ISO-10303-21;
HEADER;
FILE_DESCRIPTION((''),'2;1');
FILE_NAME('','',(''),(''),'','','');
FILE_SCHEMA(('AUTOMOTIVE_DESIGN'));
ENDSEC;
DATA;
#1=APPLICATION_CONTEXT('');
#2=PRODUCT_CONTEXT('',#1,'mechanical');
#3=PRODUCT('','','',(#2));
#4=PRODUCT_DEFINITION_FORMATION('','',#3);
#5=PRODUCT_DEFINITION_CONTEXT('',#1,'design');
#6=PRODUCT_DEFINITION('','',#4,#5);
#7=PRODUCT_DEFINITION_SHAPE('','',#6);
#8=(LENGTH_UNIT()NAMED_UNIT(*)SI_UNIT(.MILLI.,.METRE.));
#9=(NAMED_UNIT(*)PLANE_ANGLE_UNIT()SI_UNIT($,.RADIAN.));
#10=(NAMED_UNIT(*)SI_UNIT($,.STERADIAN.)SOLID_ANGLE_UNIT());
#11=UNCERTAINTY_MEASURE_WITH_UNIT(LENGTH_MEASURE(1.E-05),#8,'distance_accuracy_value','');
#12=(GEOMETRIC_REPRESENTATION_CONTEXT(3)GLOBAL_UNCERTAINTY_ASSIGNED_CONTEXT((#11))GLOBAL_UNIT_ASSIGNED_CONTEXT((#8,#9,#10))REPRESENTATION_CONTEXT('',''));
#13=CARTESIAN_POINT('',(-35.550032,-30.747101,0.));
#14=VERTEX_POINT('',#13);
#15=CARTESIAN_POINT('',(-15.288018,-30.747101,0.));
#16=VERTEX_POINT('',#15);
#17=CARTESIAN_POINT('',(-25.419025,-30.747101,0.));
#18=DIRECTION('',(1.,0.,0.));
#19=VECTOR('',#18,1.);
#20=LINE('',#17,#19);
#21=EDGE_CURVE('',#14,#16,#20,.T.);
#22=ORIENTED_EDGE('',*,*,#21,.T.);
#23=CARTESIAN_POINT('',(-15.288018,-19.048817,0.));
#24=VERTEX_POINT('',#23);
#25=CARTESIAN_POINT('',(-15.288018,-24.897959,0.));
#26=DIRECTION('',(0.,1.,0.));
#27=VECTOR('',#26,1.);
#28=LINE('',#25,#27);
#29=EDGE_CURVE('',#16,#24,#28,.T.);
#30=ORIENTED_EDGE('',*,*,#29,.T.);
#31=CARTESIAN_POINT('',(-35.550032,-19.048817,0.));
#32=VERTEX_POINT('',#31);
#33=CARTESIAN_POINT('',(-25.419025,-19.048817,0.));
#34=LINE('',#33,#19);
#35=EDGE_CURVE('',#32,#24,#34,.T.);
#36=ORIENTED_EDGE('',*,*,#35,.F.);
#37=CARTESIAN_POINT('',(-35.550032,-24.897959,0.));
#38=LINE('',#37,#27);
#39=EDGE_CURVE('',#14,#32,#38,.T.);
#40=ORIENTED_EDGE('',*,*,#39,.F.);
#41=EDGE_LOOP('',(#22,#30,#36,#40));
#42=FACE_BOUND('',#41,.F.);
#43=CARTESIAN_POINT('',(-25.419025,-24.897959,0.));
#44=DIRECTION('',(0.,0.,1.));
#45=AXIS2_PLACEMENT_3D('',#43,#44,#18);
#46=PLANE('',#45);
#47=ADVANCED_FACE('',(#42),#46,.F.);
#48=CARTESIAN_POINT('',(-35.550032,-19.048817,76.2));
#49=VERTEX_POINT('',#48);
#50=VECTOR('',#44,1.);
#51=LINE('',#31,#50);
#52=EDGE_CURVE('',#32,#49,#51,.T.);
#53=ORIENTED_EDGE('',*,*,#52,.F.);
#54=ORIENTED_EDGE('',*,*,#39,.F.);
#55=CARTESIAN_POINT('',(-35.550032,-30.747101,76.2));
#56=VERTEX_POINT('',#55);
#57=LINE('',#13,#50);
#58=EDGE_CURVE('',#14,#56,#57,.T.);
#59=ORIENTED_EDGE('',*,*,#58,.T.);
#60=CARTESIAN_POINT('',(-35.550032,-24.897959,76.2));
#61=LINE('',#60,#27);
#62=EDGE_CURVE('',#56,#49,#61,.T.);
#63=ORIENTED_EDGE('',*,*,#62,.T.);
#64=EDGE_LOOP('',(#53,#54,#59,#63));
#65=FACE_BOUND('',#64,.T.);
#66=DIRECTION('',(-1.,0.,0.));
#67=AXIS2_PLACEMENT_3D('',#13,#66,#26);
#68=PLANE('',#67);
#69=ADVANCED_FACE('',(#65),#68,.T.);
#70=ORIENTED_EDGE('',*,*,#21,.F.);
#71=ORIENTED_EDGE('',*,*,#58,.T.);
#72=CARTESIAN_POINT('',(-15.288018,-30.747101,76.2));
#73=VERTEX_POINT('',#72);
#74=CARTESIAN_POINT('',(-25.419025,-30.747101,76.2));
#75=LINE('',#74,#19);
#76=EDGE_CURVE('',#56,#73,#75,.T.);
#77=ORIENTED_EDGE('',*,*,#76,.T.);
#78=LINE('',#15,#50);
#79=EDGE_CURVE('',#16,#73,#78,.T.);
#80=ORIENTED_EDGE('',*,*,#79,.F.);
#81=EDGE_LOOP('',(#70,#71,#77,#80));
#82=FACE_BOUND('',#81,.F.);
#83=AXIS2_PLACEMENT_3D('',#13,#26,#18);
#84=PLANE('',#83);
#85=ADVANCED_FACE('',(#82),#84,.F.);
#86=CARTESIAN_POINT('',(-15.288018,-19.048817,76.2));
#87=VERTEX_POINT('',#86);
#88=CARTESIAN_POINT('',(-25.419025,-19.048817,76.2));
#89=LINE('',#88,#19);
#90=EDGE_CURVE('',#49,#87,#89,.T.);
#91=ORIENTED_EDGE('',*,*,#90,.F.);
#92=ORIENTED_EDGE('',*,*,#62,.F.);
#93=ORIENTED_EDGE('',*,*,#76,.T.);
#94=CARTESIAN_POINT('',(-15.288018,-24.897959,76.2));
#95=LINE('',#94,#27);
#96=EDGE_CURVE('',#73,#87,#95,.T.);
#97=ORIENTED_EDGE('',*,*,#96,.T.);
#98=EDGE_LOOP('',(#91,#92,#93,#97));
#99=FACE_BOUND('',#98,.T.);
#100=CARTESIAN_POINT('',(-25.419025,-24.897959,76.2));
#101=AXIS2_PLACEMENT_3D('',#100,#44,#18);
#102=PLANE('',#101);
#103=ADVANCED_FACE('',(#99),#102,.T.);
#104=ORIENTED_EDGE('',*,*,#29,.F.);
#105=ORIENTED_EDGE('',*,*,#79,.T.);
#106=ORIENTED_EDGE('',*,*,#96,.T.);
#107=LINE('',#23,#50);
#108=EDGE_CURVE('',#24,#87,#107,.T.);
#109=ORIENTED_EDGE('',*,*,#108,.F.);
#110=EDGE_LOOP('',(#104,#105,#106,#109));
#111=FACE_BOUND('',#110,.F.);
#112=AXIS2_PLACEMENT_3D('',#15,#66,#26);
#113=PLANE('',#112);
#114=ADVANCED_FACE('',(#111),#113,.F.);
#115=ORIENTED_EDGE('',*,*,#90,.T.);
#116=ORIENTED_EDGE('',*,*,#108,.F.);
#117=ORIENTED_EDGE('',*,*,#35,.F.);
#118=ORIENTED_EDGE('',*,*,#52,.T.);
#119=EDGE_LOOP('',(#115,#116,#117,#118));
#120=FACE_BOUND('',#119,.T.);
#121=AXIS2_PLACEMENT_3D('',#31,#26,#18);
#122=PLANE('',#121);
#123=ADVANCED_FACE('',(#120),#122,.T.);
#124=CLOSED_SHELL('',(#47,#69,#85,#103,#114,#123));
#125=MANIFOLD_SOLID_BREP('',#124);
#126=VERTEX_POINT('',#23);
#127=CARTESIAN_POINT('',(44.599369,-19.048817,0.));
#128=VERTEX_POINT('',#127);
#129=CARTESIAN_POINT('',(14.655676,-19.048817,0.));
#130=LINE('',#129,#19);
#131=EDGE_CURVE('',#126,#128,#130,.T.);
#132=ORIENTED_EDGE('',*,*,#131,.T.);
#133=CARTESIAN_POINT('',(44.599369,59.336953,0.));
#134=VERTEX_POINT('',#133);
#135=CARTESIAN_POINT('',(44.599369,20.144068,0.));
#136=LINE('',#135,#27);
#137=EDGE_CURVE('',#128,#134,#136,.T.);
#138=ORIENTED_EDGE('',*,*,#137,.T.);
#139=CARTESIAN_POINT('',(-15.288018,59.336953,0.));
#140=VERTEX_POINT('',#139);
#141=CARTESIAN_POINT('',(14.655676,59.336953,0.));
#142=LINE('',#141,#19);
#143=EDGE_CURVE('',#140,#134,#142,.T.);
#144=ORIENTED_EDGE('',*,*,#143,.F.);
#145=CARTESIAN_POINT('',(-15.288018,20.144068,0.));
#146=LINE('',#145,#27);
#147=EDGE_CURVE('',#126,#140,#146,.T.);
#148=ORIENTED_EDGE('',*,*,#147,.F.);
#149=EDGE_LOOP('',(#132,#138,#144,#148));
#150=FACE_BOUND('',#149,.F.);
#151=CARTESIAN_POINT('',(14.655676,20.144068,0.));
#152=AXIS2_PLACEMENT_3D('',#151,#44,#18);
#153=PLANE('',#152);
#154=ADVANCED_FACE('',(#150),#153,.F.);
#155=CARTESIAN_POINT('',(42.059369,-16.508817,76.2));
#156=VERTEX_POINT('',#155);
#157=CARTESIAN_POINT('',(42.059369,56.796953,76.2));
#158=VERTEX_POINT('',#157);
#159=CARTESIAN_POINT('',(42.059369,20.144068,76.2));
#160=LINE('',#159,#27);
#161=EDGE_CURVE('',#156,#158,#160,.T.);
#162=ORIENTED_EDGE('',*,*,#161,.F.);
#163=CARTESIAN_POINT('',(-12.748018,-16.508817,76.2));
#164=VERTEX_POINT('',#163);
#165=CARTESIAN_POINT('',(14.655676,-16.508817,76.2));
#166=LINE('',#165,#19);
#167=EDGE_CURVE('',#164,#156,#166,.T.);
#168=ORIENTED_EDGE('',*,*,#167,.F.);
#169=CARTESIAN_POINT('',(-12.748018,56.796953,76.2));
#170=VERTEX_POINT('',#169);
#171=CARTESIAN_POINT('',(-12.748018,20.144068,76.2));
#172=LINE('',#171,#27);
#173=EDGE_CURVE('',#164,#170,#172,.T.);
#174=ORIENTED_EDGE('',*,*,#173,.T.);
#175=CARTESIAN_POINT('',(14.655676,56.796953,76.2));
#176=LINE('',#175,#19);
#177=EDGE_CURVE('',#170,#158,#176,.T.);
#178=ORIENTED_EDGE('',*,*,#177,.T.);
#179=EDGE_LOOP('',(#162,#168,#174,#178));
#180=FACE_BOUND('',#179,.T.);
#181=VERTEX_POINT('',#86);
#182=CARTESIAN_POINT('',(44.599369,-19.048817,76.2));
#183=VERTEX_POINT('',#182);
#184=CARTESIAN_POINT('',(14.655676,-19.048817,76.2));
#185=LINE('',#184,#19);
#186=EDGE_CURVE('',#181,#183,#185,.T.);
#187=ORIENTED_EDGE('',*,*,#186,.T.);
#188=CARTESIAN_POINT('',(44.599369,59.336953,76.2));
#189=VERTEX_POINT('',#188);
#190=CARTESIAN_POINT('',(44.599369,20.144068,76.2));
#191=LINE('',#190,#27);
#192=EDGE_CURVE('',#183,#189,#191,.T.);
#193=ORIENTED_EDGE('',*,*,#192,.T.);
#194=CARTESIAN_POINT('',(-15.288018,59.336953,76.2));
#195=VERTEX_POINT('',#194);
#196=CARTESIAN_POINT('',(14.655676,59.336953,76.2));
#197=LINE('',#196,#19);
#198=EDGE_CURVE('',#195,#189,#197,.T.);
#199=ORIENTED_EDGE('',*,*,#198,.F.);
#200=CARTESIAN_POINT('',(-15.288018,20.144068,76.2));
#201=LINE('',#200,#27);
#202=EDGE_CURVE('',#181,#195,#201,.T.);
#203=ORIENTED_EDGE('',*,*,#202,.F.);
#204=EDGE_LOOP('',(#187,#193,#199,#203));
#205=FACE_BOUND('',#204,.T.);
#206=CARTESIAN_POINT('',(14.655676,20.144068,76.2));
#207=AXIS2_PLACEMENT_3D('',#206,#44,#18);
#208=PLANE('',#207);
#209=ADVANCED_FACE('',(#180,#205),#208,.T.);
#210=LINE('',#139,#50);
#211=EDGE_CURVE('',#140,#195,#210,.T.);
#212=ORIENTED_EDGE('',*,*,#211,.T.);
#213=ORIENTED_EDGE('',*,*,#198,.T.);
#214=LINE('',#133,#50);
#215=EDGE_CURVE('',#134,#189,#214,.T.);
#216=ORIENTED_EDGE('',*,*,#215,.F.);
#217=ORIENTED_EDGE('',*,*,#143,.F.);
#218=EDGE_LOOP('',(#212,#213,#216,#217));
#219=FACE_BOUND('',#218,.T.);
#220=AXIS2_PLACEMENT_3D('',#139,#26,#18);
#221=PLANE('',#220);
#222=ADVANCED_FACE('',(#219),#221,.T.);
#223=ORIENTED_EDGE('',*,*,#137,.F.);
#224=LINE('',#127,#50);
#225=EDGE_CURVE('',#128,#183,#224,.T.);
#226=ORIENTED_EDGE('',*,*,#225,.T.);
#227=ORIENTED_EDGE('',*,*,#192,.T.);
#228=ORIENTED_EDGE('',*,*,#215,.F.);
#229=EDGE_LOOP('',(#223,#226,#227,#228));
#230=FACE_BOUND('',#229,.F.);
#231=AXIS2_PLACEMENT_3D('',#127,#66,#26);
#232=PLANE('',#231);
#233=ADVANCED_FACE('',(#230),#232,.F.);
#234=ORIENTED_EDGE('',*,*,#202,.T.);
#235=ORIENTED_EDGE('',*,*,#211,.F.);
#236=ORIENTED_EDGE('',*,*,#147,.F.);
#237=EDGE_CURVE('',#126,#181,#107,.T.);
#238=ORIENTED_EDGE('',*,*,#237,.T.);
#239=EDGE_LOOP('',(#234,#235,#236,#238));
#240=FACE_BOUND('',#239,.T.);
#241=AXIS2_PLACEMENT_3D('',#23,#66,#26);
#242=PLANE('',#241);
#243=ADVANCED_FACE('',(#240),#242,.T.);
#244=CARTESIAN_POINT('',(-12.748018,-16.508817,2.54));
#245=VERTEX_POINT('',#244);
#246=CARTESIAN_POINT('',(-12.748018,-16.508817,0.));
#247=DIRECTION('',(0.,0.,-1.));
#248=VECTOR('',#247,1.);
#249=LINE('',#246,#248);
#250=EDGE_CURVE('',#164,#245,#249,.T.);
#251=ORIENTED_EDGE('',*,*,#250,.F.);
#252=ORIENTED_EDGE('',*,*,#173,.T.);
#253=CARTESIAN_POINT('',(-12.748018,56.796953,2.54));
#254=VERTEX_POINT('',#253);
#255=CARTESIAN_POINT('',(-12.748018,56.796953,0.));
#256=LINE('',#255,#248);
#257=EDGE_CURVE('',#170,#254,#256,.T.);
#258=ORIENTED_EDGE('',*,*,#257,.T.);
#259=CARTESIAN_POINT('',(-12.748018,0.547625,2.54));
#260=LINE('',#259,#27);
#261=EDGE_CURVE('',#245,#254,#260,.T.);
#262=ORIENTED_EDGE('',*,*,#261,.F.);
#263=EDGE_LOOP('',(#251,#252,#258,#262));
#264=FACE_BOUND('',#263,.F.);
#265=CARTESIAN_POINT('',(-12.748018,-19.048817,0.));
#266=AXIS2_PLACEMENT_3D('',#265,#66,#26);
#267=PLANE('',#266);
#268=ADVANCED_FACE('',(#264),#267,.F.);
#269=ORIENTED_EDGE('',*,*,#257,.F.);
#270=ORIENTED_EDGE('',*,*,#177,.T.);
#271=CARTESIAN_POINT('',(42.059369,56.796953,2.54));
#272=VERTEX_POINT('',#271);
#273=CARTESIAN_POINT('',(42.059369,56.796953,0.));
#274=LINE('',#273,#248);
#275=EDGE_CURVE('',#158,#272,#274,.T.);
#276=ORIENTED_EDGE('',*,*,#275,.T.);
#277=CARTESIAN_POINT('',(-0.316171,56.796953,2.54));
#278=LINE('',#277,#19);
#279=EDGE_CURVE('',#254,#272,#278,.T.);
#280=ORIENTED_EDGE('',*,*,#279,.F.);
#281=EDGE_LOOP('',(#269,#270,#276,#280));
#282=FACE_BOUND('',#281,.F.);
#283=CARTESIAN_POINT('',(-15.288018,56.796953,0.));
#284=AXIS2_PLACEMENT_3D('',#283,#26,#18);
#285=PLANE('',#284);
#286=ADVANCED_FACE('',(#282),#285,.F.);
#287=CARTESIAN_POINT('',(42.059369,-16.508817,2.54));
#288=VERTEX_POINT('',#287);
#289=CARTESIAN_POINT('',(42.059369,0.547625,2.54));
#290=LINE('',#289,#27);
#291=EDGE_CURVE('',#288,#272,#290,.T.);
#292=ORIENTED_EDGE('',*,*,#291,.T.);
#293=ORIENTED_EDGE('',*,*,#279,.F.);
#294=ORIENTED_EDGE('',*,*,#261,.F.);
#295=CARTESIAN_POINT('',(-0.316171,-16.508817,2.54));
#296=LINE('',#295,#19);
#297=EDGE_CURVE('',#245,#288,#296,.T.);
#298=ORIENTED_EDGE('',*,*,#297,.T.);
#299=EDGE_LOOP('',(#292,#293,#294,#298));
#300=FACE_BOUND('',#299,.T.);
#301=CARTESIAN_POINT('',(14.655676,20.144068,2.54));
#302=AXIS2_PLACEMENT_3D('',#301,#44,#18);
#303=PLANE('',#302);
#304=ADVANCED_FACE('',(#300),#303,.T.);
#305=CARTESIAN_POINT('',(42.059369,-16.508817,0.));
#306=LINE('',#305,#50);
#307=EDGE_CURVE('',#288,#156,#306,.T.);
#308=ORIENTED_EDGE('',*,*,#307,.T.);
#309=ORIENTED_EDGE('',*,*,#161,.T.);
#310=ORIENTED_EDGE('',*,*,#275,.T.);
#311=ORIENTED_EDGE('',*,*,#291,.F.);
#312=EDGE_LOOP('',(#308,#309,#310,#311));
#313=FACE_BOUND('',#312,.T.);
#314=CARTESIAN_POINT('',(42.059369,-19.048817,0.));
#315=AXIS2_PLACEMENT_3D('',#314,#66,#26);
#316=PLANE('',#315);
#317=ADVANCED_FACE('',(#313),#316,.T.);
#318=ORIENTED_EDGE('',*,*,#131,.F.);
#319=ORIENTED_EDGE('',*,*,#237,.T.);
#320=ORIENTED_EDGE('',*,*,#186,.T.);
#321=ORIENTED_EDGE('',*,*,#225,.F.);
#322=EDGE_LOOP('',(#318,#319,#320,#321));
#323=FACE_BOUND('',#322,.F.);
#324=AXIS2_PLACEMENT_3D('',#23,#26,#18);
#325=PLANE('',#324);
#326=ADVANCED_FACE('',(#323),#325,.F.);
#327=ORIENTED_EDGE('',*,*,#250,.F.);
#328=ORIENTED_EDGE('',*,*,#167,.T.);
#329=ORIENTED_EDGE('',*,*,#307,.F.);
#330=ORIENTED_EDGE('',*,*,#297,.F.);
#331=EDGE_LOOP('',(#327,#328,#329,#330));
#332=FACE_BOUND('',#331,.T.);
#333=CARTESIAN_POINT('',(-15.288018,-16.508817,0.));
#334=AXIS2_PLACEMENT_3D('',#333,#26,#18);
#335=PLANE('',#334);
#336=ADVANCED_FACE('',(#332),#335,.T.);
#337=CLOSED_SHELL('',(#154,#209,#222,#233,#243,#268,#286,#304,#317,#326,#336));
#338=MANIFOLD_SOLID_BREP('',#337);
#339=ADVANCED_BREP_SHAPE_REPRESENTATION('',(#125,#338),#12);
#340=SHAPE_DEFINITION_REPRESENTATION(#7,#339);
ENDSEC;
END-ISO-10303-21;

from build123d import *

# Parameters (mm, degrees)
F0_W     = 20.2620141208
F0_H     = 11.6982832551
F1_DEPTH = 76.2
F0_W_2   = 59.8873868585
F0_H_2   = 78.3857703209
F2_T     = -2.54


with BuildPart() as f1:
    # F0 (on Top) → F1 (new body)
    with BuildSketch(Plane.XY):
        with Locations((-25.4190247506, -24.8979590833)):
            Rectangle(F0_W, F0_H)
    extrude(amount=F1_DEPTH)


with BuildPart() as f1b:
    # F0 (on Top) → F1, piece 2 (new body)
    with BuildSketch(Plane.XY):
        with Locations((14.655675739, 20.1440677047)):
            Rectangle(F0_W_2, F0_H_2)
    extrude(amount=F1_DEPTH)

    # F2
    f2_openings = [f1b.faces().sort_by_distance(p)[0] for p in [
        (14.655676, 20.144068, 76.2),
    ]]
    offset(amount=F2_T, openings=f2_openings)


solid = Compound([f1.part, f1b.part])
